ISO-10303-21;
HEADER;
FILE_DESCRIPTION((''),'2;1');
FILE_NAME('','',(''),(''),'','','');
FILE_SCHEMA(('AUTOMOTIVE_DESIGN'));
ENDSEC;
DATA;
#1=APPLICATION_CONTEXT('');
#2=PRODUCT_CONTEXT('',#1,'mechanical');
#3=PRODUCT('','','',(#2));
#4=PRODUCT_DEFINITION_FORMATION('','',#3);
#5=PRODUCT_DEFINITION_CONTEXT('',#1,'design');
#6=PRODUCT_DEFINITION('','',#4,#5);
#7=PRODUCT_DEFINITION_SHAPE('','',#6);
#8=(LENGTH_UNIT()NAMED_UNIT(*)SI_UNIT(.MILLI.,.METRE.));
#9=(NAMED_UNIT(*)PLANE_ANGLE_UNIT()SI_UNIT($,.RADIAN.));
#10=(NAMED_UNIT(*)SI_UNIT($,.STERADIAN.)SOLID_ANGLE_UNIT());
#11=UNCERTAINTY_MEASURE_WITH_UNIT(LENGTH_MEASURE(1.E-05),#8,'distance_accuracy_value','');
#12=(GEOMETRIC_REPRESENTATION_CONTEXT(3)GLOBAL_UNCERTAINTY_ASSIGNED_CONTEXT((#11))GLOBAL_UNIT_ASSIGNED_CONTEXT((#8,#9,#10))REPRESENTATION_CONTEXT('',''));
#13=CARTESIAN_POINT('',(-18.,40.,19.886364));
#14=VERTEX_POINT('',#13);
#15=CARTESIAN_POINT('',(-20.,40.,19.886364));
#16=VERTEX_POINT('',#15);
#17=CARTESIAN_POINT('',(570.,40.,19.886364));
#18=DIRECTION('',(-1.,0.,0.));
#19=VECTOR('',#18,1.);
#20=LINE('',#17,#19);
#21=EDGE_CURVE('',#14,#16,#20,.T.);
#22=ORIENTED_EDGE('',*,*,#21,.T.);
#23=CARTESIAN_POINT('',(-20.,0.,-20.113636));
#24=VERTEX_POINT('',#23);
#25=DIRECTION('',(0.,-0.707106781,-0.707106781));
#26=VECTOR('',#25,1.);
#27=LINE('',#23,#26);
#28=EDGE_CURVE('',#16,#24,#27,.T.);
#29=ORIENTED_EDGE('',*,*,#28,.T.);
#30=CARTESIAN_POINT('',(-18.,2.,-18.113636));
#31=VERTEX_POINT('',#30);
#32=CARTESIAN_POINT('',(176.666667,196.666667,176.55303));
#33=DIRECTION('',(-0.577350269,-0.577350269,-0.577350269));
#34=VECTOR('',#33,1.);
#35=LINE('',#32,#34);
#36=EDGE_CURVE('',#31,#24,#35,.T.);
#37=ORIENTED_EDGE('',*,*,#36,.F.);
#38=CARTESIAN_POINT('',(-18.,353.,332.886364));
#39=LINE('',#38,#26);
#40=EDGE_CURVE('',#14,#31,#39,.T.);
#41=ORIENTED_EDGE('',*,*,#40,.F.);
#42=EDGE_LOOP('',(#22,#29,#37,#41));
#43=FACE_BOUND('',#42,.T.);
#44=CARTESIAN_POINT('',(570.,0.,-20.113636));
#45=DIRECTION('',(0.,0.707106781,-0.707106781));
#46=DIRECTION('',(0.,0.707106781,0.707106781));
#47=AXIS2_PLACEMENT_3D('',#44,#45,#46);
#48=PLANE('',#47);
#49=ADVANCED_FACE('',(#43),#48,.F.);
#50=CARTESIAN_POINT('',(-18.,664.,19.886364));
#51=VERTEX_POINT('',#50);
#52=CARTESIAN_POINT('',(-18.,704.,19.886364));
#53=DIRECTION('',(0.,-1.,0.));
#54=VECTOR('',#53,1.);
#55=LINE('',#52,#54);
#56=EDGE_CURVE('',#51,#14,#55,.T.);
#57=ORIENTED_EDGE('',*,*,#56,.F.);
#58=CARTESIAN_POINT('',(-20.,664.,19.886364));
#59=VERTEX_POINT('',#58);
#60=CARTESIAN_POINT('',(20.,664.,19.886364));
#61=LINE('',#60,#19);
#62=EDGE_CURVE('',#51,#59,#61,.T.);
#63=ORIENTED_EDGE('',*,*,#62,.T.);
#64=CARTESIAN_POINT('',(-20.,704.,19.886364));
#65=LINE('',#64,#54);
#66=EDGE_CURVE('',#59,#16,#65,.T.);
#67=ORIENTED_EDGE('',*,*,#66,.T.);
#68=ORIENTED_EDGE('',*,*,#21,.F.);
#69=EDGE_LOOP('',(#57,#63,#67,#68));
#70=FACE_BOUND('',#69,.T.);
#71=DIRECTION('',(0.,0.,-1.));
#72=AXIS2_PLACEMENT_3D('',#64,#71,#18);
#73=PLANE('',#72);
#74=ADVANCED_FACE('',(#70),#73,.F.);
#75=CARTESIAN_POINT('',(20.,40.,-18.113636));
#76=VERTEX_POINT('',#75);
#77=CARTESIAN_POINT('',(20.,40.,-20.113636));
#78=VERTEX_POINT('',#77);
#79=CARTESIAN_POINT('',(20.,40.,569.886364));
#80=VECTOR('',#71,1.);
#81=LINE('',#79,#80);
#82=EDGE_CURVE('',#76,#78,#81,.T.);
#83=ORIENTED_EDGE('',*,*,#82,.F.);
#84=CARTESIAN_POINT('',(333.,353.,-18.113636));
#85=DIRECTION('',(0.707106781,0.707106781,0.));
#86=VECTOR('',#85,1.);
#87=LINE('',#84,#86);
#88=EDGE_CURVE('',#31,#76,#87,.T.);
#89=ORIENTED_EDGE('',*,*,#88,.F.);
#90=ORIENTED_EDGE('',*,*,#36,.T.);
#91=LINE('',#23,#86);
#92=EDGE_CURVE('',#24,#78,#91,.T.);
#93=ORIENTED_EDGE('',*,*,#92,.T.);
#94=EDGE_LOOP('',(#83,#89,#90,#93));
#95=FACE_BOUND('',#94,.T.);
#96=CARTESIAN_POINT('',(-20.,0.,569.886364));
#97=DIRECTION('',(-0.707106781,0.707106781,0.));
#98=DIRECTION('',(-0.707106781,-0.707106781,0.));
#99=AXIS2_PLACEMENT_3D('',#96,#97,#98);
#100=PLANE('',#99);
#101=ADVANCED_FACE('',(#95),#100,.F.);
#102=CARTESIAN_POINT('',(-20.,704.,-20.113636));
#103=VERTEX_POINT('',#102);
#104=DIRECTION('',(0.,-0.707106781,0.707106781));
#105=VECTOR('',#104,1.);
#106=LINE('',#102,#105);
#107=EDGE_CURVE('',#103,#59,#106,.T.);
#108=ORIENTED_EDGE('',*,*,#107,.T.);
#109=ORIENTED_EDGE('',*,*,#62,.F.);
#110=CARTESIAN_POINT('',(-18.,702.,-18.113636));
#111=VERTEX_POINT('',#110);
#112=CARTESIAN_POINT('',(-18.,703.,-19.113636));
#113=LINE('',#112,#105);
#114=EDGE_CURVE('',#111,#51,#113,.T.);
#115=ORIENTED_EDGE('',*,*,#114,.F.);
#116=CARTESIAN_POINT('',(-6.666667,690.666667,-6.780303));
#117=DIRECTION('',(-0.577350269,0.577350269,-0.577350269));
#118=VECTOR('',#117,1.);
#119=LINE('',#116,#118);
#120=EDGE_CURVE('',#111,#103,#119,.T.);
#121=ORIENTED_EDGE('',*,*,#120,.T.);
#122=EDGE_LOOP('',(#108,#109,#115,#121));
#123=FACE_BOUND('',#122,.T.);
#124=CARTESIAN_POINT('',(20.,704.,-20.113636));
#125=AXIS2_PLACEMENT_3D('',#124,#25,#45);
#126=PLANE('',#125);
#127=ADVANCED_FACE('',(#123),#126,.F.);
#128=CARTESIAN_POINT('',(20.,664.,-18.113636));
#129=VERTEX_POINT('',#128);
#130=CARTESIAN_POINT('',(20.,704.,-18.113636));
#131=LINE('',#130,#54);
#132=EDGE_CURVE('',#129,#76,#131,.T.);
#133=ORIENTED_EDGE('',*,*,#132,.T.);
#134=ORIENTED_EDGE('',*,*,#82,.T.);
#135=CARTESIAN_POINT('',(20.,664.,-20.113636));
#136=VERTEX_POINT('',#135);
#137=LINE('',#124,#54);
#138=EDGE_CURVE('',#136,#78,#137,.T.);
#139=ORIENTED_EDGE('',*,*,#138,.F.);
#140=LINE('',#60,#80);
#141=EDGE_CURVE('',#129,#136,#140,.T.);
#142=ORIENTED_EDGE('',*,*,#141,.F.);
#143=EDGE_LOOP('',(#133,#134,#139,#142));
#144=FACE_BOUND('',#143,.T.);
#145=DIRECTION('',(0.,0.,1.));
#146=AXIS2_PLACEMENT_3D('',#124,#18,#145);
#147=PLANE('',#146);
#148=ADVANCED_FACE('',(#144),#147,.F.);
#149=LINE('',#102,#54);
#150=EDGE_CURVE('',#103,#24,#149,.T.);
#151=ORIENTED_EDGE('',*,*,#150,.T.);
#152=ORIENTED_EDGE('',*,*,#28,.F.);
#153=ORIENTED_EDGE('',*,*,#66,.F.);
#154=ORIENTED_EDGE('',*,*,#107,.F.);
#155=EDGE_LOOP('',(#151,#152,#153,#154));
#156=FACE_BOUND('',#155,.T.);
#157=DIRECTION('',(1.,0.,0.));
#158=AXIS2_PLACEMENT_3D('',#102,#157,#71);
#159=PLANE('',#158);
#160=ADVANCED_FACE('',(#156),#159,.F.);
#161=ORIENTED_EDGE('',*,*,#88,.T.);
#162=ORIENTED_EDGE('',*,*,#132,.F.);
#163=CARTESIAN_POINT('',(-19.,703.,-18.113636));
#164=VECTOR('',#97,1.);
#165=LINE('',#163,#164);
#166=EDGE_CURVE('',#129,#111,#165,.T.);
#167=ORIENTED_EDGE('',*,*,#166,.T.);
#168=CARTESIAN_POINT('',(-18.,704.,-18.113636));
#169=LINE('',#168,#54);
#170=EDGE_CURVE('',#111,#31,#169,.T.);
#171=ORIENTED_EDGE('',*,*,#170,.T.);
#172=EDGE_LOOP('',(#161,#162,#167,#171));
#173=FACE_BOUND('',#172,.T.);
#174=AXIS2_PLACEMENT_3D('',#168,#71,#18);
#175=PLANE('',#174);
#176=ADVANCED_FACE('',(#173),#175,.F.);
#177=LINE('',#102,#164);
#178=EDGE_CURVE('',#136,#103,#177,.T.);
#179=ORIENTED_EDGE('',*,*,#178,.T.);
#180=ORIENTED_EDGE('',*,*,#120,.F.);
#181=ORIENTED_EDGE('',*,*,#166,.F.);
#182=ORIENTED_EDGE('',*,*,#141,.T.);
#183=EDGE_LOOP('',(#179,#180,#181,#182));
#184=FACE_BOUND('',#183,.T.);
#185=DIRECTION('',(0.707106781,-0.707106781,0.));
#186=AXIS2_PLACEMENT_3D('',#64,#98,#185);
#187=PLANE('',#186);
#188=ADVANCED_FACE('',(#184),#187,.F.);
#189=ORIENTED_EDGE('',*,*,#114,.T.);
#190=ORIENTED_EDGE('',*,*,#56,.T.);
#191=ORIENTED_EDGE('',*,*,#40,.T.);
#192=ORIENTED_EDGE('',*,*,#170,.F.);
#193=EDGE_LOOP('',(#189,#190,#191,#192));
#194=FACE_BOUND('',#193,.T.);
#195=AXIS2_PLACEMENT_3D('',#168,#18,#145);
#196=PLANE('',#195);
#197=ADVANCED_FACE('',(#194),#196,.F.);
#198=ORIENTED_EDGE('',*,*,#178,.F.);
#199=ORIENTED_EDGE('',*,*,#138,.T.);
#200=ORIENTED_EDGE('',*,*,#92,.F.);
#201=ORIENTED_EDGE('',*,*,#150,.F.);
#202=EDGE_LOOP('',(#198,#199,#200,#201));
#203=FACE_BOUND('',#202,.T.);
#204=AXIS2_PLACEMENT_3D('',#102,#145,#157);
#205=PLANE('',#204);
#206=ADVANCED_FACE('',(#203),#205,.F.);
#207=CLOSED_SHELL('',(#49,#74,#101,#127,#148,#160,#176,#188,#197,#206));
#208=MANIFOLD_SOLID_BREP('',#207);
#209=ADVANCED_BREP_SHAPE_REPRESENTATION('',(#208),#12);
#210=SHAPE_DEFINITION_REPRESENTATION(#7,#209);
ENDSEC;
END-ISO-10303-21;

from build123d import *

# Parameters (mm, degrees)
BOSS_EXTRU_1_DEPTH      = 704
ENL_V_MAT_EXTRU_1_DEPTH = 590
ENL_V_MAT_EXTRU_2_DEPTH = 590
ENL_V_MAT_EXTRU_3_DEPTH = 41
ENL_V_MAT_EXTRU_4_DEPTH = 41


with BuildPart() as part:
    # Esquisse1 → Boss.-Extru.1 (new body)
    with BuildSketch(Plane(origin=(0, 0, 0), x_dir=(1, 0, 0), z_dir=(0, 1, 0))):
        Polygon((-20, 20.113636364), (20, 20.113636364), (20, 18.113636364), (-18, 18.113636364), (-18, -19.886363636), (-20, -19.886363636), align=None)
    extrude(amount=BOSS_EXTRU_1_DEPTH)

    # Esquisse2 → Enlèv. mat.-Extru.1 (cut)
    with BuildSketch(Plane(origin=(0, 0, -20.113636364), x_dir=(-1, 0, 0), z_dir=(0, 0, -1))):
        Polygon((20, 0), (-20, 40), (-20, 0), align=None)
    extrude(amount=-ENL_V_MAT_EXTRU_1_DEPTH, mode=Mode.SUBTRACT)

    # Esquisse3 → Enlèv. mat.-Extru.2 (cut)
    with BuildSketch(Plane.ZY.offset(20)):
        Polygon((-20.113636364, 0), (19.886363636, 40), (19.886363636, 0), align=None)
    extrude(amount=-ENL_V_MAT_EXTRU_2_DEPTH, mode=Mode.SUBTRACT)

    # Esquisse4 → Enlèv. mat.-Extru.3 (cut, through all)
    with BuildSketch(Plane.ZY.offset(20)):
        Polygon((-20.113636364, 704), (19.886363636, 664), (19.886363636, 704), align=None)
    extrude(amount=-ENL_V_MAT_EXTRU_3_DEPTH, mode=Mode.SUBTRACT)

    # Esquisse5 → Enlèv. mat.-Extru.4 (cut, through all)
    with BuildSketch(Plane(origin=(0, 0, -20.113636364), x_dir=(-1, 0, 0), z_dir=(0, 0, -1))):
        Polygon((20, 704), (-20, 664), (-20, 704), align=None)
    extrude(amount=-ENL_V_MAT_EXTRU_4_DEPTH, mode=Mode.SUBTRACT)


solid = part.part
